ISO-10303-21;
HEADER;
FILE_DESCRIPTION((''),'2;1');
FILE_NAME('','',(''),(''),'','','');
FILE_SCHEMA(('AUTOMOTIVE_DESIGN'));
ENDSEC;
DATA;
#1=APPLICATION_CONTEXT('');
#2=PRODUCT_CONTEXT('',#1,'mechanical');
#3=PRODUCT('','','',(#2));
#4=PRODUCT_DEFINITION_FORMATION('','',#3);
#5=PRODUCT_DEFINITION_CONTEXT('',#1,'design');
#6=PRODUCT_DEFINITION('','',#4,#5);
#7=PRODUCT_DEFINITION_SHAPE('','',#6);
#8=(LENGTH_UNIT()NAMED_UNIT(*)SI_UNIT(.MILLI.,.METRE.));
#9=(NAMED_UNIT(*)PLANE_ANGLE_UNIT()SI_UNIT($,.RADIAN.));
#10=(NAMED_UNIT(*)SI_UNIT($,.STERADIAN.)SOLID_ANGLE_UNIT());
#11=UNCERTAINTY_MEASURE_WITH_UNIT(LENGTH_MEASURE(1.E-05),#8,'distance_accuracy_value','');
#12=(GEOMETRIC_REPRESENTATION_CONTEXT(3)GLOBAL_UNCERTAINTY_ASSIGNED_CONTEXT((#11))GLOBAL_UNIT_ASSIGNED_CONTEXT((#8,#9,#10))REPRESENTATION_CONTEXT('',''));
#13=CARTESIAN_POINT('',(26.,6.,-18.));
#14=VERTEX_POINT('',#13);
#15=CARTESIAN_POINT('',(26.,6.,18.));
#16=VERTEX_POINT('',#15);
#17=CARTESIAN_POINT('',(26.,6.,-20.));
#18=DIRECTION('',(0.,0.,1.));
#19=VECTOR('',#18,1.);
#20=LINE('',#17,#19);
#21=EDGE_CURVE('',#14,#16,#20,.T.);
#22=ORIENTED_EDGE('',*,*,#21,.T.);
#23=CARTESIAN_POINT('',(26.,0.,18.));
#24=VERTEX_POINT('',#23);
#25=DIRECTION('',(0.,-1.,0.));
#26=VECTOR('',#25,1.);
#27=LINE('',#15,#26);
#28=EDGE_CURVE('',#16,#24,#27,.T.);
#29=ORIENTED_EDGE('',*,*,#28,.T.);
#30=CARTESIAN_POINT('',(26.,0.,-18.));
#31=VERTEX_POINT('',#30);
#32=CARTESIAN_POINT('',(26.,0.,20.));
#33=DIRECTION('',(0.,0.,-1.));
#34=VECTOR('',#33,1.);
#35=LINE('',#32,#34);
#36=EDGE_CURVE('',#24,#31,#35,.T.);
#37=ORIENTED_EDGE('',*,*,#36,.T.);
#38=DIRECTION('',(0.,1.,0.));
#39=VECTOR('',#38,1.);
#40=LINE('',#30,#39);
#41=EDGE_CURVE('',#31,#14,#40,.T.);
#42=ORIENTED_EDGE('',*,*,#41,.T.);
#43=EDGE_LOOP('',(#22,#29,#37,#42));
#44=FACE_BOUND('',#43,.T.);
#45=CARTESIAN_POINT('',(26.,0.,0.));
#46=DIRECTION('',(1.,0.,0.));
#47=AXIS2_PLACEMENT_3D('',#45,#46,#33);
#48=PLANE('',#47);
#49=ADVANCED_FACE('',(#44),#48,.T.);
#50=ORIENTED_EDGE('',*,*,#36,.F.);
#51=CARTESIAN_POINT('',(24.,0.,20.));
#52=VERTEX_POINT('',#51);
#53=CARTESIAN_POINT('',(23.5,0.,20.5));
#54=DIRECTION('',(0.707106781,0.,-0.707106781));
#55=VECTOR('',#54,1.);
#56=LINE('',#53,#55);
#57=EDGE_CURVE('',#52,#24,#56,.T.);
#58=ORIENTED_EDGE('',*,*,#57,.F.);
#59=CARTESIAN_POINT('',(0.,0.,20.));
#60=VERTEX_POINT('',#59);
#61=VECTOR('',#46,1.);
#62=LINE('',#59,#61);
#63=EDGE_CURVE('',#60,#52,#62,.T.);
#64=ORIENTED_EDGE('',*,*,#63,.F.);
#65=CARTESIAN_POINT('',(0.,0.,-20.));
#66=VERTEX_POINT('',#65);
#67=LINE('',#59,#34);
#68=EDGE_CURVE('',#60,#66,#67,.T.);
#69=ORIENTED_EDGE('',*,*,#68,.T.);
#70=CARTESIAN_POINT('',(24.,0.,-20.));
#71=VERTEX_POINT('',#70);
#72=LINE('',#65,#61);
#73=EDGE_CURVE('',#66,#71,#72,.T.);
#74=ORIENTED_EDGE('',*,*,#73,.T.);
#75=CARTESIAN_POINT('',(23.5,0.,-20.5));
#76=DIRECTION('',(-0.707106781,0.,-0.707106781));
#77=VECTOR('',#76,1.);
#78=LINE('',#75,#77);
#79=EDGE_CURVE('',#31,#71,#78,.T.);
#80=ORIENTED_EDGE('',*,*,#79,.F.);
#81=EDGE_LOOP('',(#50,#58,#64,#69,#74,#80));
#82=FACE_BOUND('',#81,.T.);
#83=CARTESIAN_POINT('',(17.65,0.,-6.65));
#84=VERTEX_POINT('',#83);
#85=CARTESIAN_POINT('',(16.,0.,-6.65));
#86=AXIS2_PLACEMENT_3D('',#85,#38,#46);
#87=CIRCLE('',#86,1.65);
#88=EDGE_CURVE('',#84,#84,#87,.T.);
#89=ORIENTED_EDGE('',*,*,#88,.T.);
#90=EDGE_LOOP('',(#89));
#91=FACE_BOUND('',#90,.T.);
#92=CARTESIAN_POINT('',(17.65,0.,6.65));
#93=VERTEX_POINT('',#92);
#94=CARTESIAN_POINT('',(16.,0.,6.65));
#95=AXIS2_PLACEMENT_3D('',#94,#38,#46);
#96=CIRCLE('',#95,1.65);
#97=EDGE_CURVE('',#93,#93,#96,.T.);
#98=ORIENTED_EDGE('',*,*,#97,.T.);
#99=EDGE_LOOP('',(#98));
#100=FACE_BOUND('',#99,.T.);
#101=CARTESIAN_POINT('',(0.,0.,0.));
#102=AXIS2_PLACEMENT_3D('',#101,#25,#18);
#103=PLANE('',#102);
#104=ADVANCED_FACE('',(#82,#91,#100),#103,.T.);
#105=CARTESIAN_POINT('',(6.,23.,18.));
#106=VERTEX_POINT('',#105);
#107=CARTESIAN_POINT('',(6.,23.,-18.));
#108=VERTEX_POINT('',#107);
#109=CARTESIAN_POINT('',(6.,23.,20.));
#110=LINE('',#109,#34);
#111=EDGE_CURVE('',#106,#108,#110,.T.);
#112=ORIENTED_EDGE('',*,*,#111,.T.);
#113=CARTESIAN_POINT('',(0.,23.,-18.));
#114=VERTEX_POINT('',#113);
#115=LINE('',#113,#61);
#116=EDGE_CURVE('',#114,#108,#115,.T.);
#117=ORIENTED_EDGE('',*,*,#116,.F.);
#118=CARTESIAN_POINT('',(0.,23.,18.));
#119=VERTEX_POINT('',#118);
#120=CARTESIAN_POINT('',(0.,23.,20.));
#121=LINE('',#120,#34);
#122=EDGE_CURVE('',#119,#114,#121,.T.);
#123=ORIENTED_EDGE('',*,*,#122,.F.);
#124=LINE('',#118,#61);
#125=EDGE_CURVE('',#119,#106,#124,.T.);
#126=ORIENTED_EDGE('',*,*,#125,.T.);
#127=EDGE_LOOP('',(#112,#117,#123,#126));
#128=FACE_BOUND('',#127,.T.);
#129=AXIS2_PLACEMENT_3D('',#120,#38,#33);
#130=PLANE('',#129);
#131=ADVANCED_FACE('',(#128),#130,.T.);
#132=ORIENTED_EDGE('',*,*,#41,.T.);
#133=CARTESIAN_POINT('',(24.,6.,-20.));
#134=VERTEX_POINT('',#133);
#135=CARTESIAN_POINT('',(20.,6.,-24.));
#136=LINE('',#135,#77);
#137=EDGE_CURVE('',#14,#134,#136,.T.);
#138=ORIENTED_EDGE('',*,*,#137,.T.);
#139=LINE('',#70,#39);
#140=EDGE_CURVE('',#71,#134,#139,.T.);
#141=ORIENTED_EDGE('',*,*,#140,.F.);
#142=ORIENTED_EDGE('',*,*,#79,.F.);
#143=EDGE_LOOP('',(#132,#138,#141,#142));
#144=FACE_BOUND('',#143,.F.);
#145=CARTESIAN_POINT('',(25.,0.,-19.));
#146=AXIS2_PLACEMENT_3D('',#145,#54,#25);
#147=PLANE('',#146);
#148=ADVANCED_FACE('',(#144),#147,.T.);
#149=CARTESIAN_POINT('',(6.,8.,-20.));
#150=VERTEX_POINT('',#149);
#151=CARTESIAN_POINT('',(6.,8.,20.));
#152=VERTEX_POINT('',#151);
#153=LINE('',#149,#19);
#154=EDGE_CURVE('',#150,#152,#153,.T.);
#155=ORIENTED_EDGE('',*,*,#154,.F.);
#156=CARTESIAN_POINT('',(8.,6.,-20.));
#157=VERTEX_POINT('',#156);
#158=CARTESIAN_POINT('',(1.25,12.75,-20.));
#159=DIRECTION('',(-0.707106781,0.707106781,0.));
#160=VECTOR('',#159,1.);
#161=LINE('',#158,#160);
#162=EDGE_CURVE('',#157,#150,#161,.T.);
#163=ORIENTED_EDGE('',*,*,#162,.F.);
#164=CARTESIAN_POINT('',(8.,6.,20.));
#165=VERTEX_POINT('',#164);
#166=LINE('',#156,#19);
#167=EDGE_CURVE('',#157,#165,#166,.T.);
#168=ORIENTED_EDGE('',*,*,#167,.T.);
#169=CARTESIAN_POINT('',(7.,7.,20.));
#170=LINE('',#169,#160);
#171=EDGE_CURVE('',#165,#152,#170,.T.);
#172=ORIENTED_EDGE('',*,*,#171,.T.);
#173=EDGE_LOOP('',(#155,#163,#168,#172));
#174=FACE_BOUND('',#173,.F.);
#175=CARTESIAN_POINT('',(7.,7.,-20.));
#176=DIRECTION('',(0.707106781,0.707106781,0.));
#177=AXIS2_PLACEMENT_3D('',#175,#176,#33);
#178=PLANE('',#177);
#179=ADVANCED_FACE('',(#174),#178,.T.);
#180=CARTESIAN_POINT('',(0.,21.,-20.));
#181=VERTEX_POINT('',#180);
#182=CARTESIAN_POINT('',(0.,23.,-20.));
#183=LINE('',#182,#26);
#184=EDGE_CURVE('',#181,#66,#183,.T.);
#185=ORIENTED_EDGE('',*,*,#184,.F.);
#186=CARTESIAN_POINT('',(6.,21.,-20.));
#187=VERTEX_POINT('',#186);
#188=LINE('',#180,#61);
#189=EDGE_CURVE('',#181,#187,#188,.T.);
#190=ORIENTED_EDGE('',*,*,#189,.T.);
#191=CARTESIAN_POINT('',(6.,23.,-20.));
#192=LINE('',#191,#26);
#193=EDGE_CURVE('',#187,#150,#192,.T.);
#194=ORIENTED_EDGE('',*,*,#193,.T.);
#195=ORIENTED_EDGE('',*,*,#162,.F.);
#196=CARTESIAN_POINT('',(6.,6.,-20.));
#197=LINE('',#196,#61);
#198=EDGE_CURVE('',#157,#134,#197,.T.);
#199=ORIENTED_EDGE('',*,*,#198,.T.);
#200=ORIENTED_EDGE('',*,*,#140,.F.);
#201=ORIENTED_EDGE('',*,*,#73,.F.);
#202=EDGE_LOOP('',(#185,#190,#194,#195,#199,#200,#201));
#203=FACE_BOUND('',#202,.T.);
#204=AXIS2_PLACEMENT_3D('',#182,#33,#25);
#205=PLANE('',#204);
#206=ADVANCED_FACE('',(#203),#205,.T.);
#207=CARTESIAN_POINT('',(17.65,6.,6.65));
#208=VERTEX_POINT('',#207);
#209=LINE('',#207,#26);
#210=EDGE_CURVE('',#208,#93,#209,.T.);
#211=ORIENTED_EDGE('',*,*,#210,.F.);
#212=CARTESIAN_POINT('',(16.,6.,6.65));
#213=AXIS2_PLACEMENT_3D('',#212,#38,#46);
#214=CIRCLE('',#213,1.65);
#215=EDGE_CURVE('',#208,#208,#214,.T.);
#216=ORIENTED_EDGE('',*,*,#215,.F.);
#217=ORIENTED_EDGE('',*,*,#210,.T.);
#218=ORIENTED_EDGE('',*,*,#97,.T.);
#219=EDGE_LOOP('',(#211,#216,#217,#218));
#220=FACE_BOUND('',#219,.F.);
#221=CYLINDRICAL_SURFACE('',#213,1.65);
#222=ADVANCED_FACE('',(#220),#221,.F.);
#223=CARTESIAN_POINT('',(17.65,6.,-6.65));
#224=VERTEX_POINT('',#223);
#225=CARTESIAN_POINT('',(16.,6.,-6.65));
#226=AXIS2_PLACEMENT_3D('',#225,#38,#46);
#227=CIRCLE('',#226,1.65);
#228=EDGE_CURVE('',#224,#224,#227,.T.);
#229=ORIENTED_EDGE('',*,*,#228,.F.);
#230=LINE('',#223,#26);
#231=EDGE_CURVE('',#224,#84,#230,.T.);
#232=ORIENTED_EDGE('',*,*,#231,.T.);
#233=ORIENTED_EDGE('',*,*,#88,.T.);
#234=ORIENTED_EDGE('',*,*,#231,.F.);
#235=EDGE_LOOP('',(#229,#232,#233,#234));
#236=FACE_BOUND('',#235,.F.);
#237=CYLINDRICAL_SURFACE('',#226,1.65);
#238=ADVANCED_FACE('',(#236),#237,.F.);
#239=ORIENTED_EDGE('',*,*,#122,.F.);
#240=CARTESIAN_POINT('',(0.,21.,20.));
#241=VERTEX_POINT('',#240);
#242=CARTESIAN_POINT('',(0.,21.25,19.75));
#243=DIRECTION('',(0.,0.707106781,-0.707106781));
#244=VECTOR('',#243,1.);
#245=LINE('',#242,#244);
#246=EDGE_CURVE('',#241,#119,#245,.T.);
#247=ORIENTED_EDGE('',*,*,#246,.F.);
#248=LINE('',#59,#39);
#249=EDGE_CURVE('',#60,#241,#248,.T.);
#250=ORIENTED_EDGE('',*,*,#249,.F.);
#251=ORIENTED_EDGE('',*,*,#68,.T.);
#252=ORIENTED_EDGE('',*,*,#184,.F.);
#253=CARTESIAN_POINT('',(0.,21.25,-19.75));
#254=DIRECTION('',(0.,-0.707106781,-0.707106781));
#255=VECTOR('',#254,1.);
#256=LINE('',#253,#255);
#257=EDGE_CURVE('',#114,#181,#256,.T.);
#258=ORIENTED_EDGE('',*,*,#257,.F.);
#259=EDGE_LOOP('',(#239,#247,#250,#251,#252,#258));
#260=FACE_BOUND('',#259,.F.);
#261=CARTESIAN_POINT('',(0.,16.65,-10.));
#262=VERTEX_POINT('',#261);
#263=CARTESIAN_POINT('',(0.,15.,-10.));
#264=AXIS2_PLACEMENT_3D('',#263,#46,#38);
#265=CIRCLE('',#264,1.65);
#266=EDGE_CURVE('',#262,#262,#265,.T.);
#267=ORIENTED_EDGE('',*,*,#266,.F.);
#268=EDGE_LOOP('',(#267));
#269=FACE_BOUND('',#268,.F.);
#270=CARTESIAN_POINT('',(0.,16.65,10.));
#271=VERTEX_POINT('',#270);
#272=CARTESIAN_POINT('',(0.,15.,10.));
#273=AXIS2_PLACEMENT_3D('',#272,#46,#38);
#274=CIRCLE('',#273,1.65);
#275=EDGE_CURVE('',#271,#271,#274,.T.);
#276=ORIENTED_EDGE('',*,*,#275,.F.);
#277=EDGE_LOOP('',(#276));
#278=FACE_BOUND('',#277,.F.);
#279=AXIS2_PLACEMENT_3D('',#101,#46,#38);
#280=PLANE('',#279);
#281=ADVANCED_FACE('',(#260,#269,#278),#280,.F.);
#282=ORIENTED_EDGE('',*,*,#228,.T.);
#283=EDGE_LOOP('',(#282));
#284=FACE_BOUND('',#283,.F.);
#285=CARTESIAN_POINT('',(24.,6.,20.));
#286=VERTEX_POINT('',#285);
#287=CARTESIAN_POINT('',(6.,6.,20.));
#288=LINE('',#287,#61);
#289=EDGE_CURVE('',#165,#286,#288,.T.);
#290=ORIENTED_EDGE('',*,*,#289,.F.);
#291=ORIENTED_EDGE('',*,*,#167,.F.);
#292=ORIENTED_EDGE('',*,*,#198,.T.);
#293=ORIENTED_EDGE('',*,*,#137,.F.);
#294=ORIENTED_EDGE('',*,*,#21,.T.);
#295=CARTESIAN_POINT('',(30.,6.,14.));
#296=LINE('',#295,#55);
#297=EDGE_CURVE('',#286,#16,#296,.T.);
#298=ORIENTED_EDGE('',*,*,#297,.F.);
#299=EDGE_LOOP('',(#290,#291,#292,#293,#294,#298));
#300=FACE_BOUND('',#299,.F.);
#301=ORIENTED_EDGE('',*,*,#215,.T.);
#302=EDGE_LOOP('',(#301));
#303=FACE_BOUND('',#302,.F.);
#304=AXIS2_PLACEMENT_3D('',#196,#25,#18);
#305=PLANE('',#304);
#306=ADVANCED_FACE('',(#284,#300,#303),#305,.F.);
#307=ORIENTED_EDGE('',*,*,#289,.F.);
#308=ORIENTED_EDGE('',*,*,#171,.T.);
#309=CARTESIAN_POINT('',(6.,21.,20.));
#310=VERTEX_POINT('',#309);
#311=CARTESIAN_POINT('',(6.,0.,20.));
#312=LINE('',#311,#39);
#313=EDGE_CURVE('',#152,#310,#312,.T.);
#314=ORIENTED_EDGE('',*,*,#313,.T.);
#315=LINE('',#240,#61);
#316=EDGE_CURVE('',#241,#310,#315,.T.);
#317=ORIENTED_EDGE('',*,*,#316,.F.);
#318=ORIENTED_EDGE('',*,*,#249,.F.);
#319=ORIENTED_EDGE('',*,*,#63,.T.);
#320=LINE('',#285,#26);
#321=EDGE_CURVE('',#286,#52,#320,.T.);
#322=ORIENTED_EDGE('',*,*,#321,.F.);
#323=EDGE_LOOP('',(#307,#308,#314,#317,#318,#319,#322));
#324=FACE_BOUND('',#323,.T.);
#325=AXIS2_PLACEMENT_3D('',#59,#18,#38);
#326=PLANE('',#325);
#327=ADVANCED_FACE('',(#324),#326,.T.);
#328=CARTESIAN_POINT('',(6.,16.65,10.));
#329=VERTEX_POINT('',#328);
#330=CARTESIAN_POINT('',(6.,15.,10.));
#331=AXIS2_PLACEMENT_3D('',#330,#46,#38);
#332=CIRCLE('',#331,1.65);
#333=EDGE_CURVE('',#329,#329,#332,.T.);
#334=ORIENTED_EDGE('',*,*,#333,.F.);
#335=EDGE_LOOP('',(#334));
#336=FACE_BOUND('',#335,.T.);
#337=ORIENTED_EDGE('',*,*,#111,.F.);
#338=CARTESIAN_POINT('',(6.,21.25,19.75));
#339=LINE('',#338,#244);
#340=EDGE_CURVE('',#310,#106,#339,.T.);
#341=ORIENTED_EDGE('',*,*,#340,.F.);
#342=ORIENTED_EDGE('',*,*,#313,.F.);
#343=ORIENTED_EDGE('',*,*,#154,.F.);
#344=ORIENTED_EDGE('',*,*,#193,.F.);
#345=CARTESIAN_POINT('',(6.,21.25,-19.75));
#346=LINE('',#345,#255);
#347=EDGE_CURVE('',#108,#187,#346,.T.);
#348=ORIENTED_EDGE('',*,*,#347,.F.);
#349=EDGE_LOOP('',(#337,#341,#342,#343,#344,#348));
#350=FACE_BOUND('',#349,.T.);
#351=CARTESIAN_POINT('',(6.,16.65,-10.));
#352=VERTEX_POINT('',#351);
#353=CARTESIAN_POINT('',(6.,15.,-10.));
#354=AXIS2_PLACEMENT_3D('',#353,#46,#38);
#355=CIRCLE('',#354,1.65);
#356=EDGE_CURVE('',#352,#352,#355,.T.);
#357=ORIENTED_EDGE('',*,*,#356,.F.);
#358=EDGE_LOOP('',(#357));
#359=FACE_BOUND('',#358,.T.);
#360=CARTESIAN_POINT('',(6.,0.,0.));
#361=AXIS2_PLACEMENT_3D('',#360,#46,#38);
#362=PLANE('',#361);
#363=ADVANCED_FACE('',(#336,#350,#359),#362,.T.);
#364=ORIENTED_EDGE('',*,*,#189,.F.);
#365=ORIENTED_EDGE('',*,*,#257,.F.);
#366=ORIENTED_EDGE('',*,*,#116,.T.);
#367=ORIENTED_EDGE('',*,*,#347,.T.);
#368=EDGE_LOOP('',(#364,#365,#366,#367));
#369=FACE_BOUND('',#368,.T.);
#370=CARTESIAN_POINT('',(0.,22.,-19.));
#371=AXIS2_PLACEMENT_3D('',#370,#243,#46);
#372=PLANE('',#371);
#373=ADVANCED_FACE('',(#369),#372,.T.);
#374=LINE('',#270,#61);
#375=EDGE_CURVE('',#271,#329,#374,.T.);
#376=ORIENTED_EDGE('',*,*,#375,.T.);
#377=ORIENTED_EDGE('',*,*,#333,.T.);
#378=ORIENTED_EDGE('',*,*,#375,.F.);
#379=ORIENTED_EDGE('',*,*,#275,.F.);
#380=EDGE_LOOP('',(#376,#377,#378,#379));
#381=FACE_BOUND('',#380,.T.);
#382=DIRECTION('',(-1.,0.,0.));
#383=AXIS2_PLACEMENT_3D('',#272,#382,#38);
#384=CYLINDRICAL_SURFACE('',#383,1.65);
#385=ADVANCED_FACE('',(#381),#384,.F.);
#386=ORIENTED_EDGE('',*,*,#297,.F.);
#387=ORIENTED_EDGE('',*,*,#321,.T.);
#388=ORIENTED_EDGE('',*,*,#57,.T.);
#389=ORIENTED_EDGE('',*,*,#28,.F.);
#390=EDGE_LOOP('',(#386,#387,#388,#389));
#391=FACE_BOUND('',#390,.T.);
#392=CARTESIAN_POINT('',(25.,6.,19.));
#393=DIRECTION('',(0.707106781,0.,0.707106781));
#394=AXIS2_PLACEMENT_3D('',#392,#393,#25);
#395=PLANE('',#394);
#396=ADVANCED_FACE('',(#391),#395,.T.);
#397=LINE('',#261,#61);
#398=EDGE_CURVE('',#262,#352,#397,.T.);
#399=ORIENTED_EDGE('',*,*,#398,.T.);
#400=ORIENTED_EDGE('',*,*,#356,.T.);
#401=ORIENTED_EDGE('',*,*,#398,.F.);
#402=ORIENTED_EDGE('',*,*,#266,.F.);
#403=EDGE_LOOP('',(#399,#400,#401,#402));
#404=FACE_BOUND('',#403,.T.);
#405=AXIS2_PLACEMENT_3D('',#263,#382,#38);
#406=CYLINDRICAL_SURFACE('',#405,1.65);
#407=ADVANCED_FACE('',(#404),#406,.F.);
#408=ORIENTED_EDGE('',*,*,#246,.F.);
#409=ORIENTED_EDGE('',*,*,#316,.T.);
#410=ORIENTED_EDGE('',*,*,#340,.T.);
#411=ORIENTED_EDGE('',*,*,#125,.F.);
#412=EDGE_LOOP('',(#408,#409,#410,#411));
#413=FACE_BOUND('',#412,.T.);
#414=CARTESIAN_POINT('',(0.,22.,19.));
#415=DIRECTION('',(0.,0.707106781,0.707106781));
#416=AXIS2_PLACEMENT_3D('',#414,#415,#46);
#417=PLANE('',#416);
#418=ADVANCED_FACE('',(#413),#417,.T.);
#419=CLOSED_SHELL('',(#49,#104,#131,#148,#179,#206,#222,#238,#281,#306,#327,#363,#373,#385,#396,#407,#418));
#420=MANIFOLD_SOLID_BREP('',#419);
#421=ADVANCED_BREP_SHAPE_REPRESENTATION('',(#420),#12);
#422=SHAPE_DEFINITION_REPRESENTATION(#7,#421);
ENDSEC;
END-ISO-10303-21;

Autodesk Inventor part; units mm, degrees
ref_plane "YZ Plane" through (0, 0, 0) normal (1, 0, 0) x (0, 1, 0)
ref_plane "XZ Plane" through (0, 0, 0) normal (0, 1, 0) x (-1, 0, 0)
ref_plane "XY Plane" through (0, 0, 0) normal (0, 0, 1) x (1, 0, 0)
sketch "Sketch1" plane through (0, 0, 0) normal (1, 0, 0) x (0, 1, 0)
  circle A0 centre (15, 10) radius 1.65
  line L0 (0, 0) -> (9.4364, 0)
  circle A1 centre (15, -10) radius 1.65
  line L1 (0, 20) -> (23, 20)
  line L2 (23, 20) -> (23, -20)
  line L3 (23, -20) -> (0, -20)
  line L4 (0, -20) -> (0, 20)
  dimension "d0" = 15
  dimension "d1" = 20
  dimension "d2" = 3.3
  dimension "d3" = 23
  dimension "d4" = 40
extrude "Extrusion1" add sketch "Sketch1" along normal blind 6
sketch "Sketch2" plane through (6, 0, 0) normal (1, 0, 0) x (0, 0, -1)
  line L0 (20, 23) -> (-20, 23) projected
  line L1 (-20, 23) -> (-20, 0) projected
  line L2 (-20, 0) -> (20, 0) projected
  line L3 (20, 0) -> (20, 23) projected
  circle A0 centre (-10, 15) radius 1.65 projected
  circle A1 centre (10, 15) radius 1.65 projected
  line L4 (-20, 0) -> (20, 0)
  line L5 (20, 0) -> (20, 6)
  line L6 (20, 6) -> (-20, 6)
  line L7 (-20, 6) -> (-20, 0)
  point P0 (0, 0)
  dimension "d7" = 6
extrude "Extrusion2" add sketch "Sketch2" along normal blind 20 contours L3 L2 L1 L6
sketch "Sketch3" plane through (6, 6, 20) normal (0, 1, 0) x (1, 0, 0)
  line L0 (0, 0) -> (0, 40) projected
  line L1 (0, 0) -> (20, 0) projected
  line L2 (20, 40) -> (20, 0) projected
  line L3 (0, 40) -> (20, 40) projected
  circle A0 centre (10, 13.35) radius 1.65
  circle A1 centre (10, 26.65) radius 1.65
  line L4 (10, 13.35) -> (10, 26.65) construction
  point P0 (-6, 20)
  point P1 (10, 40)
  point P2 (10, 20)
  point P3 (0, 20)
  dimension "d10" = 3.3
  dimension "d11" = 10
extrude "Extrusion3" cut sketch "Sketch3" against normal through all contours A0 | A1
chamfer "Chamfer1" distance 2 angle 45 5 edges at (3, 23, 20) (3, 23, -20) (26, 3, 20) (26, 3, -20) (6, 6, 0)
properties part number "SOPORTE_TOBOGAN_V2" material "Steel, Mild, Welded"
